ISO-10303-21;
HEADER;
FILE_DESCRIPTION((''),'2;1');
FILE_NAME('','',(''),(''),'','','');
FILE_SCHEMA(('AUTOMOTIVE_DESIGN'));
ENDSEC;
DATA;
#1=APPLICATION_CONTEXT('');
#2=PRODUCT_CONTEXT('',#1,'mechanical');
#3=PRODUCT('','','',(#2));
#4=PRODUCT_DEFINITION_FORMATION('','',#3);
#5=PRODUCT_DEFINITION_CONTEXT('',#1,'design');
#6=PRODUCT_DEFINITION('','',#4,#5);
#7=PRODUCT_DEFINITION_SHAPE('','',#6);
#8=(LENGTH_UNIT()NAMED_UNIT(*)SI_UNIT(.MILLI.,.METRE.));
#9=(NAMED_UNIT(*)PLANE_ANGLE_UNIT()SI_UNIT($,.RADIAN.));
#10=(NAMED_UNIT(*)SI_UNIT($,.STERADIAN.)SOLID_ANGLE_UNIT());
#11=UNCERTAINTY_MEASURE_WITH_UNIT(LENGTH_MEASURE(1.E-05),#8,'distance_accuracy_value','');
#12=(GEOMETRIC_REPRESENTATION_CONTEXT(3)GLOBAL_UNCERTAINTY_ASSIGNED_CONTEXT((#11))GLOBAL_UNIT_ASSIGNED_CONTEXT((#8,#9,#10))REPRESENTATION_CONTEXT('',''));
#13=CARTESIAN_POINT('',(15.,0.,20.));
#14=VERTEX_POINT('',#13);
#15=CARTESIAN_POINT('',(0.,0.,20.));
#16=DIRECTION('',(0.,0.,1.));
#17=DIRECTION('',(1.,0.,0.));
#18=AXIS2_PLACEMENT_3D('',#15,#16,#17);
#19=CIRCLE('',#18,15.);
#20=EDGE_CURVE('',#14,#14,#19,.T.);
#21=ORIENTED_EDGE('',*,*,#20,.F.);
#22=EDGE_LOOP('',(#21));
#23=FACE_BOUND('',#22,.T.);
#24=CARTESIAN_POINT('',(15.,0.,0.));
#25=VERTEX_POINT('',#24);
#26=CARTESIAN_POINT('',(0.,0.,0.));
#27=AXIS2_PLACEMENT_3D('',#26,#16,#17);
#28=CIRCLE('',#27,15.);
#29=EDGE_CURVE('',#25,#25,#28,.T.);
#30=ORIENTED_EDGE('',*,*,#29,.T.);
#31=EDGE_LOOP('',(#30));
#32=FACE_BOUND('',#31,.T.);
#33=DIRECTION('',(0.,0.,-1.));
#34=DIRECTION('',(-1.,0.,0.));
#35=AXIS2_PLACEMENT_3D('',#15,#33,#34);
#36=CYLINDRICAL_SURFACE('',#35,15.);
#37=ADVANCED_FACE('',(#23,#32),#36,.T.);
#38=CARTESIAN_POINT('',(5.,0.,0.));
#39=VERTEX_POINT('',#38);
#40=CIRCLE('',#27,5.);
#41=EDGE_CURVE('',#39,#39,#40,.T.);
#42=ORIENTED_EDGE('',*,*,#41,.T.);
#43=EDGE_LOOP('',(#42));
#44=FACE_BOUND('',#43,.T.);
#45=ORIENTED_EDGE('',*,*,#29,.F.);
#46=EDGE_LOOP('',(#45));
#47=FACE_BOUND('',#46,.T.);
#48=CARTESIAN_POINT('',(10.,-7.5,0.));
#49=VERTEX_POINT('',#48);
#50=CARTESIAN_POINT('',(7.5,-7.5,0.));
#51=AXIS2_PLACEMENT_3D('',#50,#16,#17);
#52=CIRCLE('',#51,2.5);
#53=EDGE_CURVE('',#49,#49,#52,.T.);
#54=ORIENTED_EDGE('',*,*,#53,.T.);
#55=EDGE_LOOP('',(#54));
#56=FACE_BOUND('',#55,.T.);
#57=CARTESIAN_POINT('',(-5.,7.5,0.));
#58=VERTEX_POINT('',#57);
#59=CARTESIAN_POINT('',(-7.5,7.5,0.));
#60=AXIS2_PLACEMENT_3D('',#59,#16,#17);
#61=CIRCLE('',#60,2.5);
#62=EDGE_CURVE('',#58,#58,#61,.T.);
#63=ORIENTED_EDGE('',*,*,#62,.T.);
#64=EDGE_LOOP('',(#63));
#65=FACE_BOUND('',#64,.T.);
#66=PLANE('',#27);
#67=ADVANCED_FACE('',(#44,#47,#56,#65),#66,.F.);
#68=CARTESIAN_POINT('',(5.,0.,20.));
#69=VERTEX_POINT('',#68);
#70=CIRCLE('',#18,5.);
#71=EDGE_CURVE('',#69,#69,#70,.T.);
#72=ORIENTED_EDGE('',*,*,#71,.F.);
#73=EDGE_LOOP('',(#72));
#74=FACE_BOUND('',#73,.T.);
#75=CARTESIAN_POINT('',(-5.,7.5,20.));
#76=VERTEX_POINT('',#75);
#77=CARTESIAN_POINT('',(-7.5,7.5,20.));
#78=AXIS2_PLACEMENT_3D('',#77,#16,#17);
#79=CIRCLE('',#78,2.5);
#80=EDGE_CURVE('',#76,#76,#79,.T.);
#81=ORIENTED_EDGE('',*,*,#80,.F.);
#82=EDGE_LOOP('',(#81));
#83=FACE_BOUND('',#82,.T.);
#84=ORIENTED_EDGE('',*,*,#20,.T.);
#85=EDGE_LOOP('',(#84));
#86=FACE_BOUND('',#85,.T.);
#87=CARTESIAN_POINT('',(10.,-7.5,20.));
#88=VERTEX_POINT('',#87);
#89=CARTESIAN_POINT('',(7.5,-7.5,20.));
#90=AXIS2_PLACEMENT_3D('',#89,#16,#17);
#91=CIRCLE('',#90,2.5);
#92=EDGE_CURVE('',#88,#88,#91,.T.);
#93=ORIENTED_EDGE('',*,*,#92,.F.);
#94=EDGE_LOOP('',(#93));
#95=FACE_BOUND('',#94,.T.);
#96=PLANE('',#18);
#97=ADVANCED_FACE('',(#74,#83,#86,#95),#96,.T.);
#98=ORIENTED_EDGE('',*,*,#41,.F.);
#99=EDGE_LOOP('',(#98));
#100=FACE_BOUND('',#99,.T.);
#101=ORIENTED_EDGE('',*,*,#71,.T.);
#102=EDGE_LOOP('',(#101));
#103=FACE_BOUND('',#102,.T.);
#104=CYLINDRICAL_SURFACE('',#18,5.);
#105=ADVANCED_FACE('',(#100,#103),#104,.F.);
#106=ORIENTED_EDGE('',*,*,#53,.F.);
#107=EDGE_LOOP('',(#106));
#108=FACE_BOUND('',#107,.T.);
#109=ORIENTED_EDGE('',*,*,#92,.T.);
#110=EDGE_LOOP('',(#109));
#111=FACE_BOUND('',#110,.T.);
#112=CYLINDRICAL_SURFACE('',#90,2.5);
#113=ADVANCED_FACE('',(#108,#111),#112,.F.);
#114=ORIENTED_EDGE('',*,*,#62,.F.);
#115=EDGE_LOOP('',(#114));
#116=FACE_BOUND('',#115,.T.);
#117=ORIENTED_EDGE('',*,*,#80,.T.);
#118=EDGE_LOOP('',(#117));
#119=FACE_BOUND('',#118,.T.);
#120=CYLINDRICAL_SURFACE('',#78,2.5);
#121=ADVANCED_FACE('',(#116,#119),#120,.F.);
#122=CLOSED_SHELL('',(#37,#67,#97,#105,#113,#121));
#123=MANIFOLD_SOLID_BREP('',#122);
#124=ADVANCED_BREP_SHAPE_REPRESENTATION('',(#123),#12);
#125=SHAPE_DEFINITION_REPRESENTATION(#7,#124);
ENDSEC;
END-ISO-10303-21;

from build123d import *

# Parameters (mm, degrees)
SKIZZE2_R                        = 15
AUFSATZ_LINEAR_AUSTRAGEN1_DEPTH  = 20
F_10_0_10_DURCHMESSER_BOHRUNG1_D = 10
F_5_0_5_DURCHMESSER_BOHRUNG1_D   = 5


with BuildPart() as part:
    # Skizze2 → Aufsatz-Linear austragen1 (new body)
    with BuildSketch(Plane.XY):
        Circle(SKIZZE2_R)
    extrude(amount=AUFSATZ_LINEAR_AUSTRAGEN1_DEPTH)

    # Ø10.0 (10) Durchmesser Bohrung1 (through all)
    with Locations(Plane.XY.offset(20)):
        with Locations((0, 0)):
            Hole(F_10_0_10_DURCHMESSER_BOHRUNG1_D / 2)

    # Ø5.0 (5) Durchmesser Bohrung1 (through all)
    with Locations(Plane.XY.offset(20)):
        with Locations((-7.5, 7.5), (7.5, -7.5)):
            Hole(F_5_0_5_DURCHMESSER_BOHRUNG1_D / 2)


solid = part.part
